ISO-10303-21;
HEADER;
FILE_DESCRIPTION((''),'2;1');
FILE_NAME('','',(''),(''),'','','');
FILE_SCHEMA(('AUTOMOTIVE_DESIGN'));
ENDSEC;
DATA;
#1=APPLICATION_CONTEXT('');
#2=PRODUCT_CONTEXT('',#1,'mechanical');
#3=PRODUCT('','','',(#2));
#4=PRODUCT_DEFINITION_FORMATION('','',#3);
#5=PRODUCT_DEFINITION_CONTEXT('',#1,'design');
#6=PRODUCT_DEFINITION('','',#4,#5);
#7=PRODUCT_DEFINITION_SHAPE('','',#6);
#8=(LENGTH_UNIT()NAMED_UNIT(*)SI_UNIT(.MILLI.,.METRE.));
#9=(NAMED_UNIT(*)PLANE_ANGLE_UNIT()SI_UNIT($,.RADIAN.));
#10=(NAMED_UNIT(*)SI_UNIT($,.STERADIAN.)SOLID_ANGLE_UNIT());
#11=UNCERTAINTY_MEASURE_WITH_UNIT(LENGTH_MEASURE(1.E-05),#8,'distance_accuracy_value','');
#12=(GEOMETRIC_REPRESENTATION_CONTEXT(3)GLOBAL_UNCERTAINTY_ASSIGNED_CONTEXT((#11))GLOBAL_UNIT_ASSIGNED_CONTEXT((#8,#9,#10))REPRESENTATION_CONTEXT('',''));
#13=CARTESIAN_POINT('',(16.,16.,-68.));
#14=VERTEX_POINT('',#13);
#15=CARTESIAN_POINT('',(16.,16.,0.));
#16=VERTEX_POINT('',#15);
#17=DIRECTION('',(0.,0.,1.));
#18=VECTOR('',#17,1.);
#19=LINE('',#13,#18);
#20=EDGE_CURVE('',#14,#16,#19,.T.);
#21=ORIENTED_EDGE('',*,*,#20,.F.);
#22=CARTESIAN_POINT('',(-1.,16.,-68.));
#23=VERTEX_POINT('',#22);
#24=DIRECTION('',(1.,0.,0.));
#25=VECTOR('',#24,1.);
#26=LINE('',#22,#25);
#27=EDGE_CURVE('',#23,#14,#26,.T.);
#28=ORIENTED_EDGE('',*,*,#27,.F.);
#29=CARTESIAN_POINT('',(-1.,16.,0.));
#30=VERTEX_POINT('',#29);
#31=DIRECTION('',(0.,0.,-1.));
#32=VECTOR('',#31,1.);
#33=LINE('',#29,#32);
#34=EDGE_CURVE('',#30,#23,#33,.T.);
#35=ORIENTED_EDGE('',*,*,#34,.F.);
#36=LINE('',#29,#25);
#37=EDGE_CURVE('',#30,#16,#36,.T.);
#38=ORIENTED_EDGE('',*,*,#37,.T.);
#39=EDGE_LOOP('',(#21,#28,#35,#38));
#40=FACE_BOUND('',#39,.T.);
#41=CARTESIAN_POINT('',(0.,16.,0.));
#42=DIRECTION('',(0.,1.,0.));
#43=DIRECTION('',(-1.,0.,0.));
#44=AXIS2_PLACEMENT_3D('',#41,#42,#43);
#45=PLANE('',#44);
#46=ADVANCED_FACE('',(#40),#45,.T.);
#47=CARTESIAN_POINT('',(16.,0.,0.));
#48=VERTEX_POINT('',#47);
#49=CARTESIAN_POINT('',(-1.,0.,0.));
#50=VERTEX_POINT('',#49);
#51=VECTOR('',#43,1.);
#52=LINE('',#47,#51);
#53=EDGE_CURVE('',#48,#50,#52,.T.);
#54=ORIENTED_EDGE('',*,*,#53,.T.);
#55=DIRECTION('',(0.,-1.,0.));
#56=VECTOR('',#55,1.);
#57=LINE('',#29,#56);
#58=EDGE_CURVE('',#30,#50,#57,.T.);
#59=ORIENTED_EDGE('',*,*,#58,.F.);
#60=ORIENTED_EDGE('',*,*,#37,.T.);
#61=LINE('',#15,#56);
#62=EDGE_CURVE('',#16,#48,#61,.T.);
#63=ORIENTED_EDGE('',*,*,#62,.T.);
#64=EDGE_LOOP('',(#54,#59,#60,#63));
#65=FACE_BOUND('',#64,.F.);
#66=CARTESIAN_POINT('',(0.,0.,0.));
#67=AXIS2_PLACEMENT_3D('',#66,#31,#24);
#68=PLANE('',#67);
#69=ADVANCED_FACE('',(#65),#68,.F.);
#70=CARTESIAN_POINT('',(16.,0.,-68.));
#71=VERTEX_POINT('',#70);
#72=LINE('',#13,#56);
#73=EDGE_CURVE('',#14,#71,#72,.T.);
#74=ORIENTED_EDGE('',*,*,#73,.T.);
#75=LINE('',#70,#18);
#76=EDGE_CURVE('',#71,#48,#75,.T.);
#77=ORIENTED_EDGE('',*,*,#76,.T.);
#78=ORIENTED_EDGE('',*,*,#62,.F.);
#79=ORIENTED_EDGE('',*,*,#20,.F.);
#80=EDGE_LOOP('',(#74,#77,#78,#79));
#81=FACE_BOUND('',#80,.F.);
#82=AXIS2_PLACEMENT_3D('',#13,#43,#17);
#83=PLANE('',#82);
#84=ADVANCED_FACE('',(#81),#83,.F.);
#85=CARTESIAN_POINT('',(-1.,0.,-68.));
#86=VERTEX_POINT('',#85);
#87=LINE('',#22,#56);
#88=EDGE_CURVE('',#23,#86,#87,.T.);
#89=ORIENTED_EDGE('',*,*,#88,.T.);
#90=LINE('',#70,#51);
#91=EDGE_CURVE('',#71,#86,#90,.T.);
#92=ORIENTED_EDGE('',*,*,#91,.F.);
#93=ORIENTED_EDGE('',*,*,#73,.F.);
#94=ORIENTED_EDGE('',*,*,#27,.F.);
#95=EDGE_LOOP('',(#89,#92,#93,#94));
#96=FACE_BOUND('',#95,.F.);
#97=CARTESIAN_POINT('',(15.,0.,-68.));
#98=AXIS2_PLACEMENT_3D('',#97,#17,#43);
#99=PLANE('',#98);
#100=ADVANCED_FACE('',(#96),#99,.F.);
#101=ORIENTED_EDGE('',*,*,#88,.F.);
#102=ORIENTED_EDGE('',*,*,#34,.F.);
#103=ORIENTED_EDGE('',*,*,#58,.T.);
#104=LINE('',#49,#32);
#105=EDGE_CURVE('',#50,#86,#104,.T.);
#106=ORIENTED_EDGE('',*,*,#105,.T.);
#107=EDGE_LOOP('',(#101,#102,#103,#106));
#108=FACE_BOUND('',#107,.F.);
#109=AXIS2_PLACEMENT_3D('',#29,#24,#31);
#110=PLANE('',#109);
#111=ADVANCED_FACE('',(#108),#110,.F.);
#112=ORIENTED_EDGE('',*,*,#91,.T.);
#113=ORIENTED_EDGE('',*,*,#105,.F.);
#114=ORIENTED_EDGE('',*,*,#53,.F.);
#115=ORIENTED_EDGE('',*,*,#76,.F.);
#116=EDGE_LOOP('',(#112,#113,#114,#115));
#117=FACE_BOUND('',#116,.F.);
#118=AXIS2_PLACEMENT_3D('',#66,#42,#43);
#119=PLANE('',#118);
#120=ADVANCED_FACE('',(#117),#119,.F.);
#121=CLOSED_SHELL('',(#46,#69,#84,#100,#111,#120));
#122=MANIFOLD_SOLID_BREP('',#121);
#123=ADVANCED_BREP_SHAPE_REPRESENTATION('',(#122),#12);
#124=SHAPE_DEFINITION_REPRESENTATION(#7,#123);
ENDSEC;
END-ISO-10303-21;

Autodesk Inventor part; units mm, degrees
ref_plane "YZ Plane" through (0, 0, 0) normal (1, 0, 0) x (0, 1, 0)
ref_plane "XZ Plane" through (0, 0, 0) normal (0, 1, 0) x (-1, 0, 0)
ref_plane "XY Plane" through (0, 0, 0) normal (0, 0, 1) x (1, 0, 0)
sketch "Sketch1" plane through (0, 0, 0) normal (0, 1, 0) x (-1, 0, 0)
  line L0 (0, 0) -> (-15, 0)
  line L1 (-15, 0) -> (-15, -68)
  line L2 (-15, -68) -> (0, -68)
  line L3 (0, -68) -> (0, 0)
  dimension "d0" = 15
  dimension "d1" = 68
extrude "Extrusion1" add sketch "Sketch1" along normal blind 16
sketch "Sketch3" plane through (0, 16, 0) normal (0, 1, 0) x (1, 0, 0)
  line L0 (15, 0) -> (15, 68) projected
  line L1 (15, 68) -> (0, 68) projected
  line L2 (0, 68) -> (0, 0) projected
  line L3 (0, 0) -> (15, 0) projected
  line L4 (16, 0) -> (-1, 0)
  line L5 (-1, 0) -> (-1, 68)
  line L6 (-1, 68) -> (16, 68)
  line L7 (16, 68) -> (16, 0)
  point P0 (7.5, 68)
  dimension "d6" = 0
  dimension "d7" = 0
  dimension "d8" = 1
  dimension "d9" = 1
extrude "offset" add sketch "Sketch3" against normal up to surface (16 mm away) contours L0 L6 L7 L4 | L4 L5 L6 L2
properties part number "smolLipo" material "Acetal Resin, Black"
